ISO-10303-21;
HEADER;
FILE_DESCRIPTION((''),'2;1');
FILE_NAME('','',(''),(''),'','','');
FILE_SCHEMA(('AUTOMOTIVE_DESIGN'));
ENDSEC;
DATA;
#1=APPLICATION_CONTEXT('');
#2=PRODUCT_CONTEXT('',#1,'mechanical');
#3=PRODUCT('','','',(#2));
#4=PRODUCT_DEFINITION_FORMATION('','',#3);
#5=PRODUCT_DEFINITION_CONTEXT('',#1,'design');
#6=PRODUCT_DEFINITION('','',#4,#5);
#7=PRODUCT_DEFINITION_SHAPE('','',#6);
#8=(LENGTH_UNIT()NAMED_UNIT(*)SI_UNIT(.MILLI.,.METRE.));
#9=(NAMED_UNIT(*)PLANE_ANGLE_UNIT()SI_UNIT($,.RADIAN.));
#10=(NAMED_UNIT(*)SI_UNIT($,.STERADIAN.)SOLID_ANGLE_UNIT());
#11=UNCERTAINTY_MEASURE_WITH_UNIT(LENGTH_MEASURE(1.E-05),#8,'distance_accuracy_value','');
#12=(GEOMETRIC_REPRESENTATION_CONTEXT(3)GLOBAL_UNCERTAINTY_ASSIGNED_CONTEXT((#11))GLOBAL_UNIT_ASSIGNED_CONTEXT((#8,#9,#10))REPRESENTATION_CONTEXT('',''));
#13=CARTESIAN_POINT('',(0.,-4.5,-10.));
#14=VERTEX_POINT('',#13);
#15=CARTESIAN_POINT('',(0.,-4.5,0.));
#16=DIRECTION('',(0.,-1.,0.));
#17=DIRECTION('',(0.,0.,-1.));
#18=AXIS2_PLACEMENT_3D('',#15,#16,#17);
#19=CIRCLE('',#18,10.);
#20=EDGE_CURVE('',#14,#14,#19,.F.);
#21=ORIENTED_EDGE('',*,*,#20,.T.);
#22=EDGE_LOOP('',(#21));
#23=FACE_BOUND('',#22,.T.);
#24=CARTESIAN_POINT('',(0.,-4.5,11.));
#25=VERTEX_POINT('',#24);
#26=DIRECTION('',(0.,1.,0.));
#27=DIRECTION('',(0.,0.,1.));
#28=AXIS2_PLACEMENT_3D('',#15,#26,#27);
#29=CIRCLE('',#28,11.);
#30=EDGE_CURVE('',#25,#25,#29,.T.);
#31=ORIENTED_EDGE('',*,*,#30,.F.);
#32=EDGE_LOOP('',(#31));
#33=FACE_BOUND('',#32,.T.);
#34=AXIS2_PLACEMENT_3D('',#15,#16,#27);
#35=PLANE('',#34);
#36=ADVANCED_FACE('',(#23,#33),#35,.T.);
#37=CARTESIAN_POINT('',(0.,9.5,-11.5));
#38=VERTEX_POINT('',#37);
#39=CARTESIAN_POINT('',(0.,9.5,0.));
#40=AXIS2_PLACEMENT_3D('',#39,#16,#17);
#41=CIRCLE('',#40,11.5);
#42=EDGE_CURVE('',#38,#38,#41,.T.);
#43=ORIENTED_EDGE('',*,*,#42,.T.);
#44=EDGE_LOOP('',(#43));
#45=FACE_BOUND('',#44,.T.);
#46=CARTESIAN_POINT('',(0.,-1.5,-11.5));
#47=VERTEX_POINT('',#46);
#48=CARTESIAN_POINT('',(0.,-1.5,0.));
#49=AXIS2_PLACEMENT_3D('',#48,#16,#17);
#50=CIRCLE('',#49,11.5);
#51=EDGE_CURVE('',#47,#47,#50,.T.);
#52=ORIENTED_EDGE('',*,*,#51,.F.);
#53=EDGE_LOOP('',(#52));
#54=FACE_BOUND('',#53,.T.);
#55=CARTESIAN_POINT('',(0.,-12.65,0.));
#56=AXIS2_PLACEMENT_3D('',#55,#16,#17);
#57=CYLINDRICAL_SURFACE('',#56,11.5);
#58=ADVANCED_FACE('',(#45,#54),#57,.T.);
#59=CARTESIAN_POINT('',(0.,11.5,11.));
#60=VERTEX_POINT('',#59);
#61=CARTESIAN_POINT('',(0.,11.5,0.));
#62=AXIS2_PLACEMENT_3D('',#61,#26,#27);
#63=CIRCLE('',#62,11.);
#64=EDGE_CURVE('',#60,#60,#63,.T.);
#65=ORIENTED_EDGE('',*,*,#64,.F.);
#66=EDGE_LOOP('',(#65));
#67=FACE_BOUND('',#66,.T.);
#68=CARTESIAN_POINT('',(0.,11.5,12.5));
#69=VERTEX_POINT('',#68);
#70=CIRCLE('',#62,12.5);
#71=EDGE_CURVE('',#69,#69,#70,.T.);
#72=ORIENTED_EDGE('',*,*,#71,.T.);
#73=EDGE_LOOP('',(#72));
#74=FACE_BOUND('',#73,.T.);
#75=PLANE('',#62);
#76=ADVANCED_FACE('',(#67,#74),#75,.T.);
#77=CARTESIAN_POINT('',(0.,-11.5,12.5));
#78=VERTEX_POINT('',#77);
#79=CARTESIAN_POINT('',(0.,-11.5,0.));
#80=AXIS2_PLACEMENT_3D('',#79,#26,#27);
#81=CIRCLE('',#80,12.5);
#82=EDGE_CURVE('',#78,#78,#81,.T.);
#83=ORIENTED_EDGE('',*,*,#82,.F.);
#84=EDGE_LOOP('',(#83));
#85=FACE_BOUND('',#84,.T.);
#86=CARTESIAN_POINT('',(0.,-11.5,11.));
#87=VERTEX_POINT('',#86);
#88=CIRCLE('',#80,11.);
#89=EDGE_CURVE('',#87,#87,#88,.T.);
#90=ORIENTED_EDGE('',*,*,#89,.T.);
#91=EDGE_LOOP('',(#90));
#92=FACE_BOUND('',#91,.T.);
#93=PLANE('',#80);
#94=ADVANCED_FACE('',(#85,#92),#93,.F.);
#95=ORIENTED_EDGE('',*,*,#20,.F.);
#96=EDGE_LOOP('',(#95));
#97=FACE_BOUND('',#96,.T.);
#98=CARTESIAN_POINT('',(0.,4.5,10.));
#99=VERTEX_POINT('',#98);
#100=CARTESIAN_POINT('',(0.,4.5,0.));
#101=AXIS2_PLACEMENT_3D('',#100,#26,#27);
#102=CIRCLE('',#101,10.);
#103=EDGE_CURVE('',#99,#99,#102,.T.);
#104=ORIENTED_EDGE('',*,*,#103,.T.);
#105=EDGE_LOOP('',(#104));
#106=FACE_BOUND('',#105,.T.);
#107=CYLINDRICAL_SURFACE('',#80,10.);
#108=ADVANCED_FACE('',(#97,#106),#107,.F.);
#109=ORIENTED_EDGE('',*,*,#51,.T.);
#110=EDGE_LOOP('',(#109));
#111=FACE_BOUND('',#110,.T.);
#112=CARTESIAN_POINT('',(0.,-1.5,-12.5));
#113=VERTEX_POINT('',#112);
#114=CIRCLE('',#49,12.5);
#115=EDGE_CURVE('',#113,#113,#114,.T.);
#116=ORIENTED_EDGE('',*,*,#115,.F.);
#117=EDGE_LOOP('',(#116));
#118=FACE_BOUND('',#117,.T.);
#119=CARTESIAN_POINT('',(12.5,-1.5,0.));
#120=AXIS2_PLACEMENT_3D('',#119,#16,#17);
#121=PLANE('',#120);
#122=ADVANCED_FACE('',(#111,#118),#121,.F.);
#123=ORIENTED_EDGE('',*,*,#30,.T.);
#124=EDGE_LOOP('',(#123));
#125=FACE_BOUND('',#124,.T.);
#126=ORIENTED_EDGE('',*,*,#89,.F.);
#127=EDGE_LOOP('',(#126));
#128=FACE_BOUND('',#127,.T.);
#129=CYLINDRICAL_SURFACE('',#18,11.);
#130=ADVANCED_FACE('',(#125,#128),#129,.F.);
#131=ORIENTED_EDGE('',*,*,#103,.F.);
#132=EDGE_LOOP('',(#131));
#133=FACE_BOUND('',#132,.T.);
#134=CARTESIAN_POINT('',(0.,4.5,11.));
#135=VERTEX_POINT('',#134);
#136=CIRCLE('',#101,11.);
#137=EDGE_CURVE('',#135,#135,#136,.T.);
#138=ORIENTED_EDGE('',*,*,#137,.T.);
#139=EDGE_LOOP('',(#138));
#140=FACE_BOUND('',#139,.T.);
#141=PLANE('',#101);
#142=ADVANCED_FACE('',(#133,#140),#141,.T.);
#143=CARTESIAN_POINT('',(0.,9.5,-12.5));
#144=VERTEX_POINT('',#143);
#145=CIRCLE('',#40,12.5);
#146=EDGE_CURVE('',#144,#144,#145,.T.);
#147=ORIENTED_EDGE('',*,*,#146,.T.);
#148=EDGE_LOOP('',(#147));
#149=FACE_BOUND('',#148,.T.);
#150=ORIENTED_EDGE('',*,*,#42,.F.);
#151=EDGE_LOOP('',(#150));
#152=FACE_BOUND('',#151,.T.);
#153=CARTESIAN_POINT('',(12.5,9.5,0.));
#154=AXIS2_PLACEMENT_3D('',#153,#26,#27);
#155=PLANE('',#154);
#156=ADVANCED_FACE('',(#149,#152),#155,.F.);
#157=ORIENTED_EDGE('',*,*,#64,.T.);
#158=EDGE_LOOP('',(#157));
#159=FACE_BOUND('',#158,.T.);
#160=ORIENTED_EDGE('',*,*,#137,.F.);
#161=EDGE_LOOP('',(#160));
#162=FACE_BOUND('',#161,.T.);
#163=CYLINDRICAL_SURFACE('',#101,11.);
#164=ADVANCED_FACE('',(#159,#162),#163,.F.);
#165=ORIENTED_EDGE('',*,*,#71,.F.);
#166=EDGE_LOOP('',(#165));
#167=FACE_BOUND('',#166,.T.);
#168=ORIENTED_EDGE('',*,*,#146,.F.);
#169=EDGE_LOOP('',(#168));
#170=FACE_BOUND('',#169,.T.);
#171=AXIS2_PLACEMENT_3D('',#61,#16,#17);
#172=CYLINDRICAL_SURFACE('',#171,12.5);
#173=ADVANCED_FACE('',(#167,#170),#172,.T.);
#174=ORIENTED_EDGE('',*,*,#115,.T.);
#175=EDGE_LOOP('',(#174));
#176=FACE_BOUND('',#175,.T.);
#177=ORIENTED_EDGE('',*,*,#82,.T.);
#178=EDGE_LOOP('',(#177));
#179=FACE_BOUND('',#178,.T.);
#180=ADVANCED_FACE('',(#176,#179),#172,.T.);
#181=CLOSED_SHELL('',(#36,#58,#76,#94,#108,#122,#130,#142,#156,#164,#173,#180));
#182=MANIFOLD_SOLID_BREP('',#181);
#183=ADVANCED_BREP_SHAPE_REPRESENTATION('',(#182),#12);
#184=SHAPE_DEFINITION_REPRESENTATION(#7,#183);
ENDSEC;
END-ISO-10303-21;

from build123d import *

# Parameters (mm, degrees)
CROQUIS1_R                 = 12.5
SALIENTE_EXTRUIR1_DEPTH    = 11.5
CROQUIS2_R                 = 11
CORTAR_EXTRUIR1_DEPTH      = 7
CORTAR_EXTRUIR2_DEPTH      = 22.089096709
CORTAR_EXTRUIR2_DEPTH_BACK = 22.089096709
CROQUIS3_R                 = 10
CROQUIS4_W                 = 1
CROQUIS4_H                 = 11


with BuildPart() as part:
    # Croquis1 → Saliente-Extruir1 (new, symmetric)
    with BuildSketch(Plane(origin=(0, 0, 0), x_dir=(1, 0, 0), z_dir=(0, 1, 0))):
        with Locations(Location((0, 0, 0), (0, 0, 270))):
            Circle(CROQUIS1_R)
    extrude(amount=SALIENTE_EXTRUIR1_DEPTH, both=True)

    # Croquis2 → Cortar-Extruir1 (cut)
    with BuildSketch(Plane(origin=(0, 11.5, 0), x_dir=(1, 0, 0), z_dir=(0, 1, 0))):
        with Locations(Location((0, 0, 0), (0, 0, 270))):
            Circle(CROQUIS2_R)
    cortar_extruir1 = extrude(amount=-CORTAR_EXTRUIR1_DEPTH, mode=Mode.SUBTRACT)

    # Croquis3 → Cortar-Extruir2 (cut, two sides: drawn at the far end of the back side and taken through both)
    with BuildSketch(Plane(origin=(0, 0, 0), x_dir=(1, 0, 0), z_dir=(0, 1, 0)).offset(-CORTAR_EXTRUIR2_DEPTH_BACK)):
        with Locations(Location((0, 0, 0), (0, 0, 270))):
            Circle(CROQUIS3_R)
    extrude(amount=CORTAR_EXTRUIR2_DEPTH + CORTAR_EXTRUIR2_DEPTH_BACK, mode=Mode.SUBTRACT)

    # Simetría1: Cortar-Extruir1 across plane
    add(cortar_extruir1.mirror(Plane.ZX), mode=Mode.SUBTRACT)

    # Croquis4 → Cortar-Revolución1 (revolve, cut)
    with BuildSketch(Plane.XY, mode=Mode.PRIVATE) as cortar_revoluci_n1_sk:
        with Locations((12, 4)):
            Rectangle(CROQUIS4_W, CROQUIS4_H)
    revolve(cortar_revoluci_n1_sk.sketch.rotate(Axis((0, -12.65, 0), (0, 1, 0)), 90), axis=Axis((0, -12.65, 0), (0, 1, 0)), mode=Mode.SUBTRACT)


solid = part.part
